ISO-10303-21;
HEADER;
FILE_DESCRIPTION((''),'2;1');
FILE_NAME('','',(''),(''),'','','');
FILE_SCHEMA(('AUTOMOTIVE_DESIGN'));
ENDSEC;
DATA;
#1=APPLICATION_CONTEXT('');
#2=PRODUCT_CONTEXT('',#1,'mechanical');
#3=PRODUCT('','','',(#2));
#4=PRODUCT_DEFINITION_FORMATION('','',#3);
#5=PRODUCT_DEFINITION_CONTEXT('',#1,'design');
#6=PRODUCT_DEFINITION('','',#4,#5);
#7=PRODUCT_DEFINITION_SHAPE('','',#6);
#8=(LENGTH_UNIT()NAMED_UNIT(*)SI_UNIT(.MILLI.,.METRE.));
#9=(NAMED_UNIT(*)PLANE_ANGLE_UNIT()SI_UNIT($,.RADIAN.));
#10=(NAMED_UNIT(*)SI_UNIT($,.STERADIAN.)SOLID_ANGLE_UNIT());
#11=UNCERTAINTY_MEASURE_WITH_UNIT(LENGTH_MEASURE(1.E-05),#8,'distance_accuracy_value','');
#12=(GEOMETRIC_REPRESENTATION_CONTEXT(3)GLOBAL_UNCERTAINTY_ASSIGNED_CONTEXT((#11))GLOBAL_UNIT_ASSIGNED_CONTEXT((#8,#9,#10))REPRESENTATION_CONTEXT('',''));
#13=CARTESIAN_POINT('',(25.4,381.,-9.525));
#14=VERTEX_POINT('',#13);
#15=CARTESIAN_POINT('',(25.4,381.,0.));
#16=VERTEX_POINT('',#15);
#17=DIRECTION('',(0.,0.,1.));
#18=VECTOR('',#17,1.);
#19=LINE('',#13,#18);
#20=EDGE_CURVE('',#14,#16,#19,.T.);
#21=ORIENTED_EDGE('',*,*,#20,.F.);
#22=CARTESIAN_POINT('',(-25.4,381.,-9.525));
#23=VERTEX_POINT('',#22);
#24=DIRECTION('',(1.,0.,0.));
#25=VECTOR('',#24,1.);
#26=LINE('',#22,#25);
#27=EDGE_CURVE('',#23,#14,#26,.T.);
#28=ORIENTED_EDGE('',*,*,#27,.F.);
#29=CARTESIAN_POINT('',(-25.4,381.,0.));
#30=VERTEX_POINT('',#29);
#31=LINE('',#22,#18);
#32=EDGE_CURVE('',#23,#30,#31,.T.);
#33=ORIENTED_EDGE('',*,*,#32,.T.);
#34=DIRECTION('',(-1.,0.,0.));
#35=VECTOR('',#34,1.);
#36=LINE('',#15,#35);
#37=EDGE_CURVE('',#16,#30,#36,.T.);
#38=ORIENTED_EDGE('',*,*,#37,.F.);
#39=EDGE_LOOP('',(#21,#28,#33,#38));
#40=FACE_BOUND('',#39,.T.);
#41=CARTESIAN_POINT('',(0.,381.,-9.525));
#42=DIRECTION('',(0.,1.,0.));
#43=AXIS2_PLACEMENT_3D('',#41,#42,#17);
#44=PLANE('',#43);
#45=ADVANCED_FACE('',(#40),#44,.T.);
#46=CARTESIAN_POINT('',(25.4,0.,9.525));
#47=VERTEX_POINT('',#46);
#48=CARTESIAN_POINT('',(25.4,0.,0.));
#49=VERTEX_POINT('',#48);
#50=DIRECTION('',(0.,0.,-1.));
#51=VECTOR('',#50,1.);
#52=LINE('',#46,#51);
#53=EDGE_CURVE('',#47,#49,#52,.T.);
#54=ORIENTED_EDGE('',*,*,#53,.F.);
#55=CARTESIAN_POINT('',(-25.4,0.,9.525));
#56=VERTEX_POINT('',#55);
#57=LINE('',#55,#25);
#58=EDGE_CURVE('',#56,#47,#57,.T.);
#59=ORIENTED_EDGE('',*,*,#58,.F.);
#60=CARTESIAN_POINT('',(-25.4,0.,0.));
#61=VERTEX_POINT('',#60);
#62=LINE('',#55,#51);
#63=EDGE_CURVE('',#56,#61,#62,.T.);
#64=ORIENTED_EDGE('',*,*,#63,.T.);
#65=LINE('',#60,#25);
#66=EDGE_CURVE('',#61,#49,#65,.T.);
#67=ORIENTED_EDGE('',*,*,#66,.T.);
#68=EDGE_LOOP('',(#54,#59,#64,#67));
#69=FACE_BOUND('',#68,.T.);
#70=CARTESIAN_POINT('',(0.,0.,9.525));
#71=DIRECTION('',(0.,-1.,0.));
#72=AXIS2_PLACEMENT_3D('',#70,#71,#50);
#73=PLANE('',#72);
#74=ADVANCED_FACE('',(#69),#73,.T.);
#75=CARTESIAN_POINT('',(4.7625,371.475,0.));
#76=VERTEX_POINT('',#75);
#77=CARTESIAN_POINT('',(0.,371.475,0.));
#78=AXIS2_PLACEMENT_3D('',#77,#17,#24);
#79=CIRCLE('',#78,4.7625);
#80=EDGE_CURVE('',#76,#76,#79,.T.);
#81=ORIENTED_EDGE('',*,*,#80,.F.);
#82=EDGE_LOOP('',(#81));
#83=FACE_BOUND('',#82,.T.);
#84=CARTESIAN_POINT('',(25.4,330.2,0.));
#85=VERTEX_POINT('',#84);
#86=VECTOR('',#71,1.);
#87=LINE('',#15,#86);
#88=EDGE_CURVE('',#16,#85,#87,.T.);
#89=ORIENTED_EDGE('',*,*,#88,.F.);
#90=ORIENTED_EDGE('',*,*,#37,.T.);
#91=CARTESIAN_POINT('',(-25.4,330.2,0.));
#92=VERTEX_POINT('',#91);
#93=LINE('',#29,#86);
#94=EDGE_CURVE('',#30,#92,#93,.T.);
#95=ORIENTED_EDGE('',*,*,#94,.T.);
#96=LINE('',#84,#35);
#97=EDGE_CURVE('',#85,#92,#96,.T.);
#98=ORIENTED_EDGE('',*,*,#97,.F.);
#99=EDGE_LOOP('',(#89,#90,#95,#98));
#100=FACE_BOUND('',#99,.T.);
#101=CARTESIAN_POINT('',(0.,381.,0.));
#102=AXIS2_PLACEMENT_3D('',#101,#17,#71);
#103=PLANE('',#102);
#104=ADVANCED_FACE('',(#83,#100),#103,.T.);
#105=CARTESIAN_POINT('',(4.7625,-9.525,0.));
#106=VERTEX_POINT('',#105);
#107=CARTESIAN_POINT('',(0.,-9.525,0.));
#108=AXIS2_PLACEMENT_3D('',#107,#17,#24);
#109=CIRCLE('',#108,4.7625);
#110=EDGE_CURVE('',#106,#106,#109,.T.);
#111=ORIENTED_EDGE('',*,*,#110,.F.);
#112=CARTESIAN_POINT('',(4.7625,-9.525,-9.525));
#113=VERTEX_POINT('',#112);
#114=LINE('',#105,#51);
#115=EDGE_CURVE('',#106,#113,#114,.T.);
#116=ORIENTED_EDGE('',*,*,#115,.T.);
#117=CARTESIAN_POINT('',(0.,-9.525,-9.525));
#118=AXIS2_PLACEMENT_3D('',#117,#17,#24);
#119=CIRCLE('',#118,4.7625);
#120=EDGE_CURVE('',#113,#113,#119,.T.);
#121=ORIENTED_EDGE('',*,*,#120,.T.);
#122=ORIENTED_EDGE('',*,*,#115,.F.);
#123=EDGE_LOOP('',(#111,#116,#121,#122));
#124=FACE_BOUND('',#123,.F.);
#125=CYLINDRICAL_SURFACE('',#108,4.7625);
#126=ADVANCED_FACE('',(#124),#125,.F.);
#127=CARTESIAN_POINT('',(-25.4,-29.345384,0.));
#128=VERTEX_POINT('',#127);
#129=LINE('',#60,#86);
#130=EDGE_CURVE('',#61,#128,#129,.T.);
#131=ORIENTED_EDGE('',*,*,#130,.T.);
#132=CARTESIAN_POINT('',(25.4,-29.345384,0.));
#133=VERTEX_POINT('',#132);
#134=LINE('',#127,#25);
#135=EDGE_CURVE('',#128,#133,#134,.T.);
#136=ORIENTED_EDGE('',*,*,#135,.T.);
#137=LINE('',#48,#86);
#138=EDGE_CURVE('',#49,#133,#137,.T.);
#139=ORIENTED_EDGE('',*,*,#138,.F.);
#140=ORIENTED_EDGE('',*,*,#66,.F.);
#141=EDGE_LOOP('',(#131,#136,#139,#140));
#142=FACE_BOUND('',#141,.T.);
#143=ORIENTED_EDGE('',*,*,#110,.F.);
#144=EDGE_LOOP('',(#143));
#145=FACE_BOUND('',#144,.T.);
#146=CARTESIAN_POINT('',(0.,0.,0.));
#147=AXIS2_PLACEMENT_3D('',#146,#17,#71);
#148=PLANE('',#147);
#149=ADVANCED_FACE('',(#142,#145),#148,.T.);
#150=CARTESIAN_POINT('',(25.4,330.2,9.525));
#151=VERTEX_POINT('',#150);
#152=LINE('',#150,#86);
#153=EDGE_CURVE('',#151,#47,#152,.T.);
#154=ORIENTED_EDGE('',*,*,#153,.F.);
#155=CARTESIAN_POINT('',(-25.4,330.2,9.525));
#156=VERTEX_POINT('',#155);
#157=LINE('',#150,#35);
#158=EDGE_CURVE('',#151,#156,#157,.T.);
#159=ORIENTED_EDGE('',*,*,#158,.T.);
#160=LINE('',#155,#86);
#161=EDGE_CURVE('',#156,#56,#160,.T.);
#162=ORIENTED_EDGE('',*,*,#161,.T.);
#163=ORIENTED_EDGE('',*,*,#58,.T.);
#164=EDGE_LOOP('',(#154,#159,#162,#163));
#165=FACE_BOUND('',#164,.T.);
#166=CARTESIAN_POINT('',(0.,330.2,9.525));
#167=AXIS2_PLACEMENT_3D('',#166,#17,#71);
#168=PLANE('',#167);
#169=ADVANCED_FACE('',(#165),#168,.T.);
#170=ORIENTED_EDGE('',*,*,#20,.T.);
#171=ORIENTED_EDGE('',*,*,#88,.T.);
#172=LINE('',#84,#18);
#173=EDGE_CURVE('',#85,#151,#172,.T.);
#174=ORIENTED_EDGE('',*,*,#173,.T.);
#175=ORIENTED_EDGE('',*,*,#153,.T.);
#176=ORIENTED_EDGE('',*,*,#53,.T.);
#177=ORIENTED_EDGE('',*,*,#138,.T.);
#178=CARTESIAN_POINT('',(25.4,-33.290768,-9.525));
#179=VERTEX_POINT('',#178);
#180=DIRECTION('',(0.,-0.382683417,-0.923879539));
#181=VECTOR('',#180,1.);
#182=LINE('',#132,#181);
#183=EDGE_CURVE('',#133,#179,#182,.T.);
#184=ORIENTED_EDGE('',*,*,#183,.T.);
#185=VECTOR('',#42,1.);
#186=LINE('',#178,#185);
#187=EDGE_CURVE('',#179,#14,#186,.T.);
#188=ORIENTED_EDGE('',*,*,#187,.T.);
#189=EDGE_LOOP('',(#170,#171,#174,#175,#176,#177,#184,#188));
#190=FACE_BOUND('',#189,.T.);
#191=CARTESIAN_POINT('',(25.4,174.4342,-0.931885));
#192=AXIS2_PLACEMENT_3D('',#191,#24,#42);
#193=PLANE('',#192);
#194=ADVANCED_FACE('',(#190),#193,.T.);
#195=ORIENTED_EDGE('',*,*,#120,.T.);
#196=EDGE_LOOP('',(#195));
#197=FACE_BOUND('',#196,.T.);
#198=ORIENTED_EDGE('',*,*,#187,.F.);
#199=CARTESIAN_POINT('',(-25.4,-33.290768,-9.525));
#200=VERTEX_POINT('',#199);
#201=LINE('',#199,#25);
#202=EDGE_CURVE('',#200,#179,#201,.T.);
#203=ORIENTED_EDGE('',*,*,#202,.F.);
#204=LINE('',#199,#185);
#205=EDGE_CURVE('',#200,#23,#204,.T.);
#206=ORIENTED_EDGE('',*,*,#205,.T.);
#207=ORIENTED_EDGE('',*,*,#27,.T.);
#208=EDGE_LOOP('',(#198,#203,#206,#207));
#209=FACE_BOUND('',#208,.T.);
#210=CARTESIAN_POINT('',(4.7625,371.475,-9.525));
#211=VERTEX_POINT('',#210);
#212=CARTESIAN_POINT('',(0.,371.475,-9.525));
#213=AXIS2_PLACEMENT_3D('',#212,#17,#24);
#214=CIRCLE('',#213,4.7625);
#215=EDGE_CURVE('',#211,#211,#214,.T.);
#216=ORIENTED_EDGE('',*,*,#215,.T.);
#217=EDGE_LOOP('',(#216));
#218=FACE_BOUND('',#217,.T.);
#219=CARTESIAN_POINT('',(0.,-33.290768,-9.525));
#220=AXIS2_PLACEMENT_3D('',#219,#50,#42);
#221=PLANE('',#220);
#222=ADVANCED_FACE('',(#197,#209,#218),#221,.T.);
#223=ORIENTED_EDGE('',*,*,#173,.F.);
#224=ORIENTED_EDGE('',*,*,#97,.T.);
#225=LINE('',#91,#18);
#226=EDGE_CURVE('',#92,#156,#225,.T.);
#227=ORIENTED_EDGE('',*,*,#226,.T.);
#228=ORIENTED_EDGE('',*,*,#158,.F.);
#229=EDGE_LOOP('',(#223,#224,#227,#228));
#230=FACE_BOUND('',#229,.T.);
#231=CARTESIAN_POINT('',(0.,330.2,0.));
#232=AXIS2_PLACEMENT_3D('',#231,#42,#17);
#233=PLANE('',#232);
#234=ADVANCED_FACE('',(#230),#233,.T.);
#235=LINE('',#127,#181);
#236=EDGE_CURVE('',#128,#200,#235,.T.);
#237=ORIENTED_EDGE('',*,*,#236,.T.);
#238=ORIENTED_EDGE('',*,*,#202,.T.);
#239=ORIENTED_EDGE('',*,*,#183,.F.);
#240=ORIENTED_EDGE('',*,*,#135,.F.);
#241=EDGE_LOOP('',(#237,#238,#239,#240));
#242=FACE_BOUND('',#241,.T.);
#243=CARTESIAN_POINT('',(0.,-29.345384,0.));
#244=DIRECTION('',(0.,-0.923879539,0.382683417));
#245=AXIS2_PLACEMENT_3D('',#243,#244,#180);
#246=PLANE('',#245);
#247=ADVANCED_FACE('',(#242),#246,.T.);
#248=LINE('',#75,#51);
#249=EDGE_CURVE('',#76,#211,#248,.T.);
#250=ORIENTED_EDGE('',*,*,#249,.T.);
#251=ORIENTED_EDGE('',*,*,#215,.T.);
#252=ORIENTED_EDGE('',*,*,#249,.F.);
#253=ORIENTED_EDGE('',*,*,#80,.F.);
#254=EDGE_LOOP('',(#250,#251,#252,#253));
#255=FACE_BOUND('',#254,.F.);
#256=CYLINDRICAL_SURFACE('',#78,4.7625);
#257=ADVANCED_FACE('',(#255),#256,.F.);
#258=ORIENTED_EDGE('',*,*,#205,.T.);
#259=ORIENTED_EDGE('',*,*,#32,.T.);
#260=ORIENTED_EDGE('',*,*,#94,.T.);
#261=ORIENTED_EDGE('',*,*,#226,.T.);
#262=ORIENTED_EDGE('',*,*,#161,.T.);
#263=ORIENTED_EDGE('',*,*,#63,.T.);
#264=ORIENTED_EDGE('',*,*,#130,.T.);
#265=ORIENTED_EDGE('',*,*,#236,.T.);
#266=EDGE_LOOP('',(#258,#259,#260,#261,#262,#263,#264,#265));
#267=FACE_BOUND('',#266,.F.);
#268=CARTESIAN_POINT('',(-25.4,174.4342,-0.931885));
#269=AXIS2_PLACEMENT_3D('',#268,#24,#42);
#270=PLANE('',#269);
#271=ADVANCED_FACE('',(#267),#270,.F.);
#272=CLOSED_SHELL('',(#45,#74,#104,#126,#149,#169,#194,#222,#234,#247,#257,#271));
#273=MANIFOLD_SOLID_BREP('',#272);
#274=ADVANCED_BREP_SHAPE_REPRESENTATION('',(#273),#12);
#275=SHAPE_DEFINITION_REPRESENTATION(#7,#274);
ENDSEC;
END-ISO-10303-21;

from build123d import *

# Parameters (mm, degrees)
F1_DEPTH = 25.4
F2_R     = 4.7625
F3_DEPTH = 25.4


with BuildPart() as f1:
    # F0 (on Right) → F1 (new body, symmetric)
    with BuildSketch(Plane.YZ):
        Polygon((330.2, 9.525), (0, 9.525), (0, 0), (-29.345384, 0), (-33.290768, -9.525), (381, -9.525), (381, 0), (330.2, 0), align=None)
    extrude(amount=F1_DEPTH, both=True)

    # F2 (on Top) → F3 (cut)
    with BuildSketch(Plane.XY):
        with Locations((0, -9.525)):
            Circle(F2_R)
        with Locations((0, 371.475)):
            Circle(F2_R)
    extrude(amount=-F3_DEPTH, mode=Mode.SUBTRACT)


solid = f1.part
